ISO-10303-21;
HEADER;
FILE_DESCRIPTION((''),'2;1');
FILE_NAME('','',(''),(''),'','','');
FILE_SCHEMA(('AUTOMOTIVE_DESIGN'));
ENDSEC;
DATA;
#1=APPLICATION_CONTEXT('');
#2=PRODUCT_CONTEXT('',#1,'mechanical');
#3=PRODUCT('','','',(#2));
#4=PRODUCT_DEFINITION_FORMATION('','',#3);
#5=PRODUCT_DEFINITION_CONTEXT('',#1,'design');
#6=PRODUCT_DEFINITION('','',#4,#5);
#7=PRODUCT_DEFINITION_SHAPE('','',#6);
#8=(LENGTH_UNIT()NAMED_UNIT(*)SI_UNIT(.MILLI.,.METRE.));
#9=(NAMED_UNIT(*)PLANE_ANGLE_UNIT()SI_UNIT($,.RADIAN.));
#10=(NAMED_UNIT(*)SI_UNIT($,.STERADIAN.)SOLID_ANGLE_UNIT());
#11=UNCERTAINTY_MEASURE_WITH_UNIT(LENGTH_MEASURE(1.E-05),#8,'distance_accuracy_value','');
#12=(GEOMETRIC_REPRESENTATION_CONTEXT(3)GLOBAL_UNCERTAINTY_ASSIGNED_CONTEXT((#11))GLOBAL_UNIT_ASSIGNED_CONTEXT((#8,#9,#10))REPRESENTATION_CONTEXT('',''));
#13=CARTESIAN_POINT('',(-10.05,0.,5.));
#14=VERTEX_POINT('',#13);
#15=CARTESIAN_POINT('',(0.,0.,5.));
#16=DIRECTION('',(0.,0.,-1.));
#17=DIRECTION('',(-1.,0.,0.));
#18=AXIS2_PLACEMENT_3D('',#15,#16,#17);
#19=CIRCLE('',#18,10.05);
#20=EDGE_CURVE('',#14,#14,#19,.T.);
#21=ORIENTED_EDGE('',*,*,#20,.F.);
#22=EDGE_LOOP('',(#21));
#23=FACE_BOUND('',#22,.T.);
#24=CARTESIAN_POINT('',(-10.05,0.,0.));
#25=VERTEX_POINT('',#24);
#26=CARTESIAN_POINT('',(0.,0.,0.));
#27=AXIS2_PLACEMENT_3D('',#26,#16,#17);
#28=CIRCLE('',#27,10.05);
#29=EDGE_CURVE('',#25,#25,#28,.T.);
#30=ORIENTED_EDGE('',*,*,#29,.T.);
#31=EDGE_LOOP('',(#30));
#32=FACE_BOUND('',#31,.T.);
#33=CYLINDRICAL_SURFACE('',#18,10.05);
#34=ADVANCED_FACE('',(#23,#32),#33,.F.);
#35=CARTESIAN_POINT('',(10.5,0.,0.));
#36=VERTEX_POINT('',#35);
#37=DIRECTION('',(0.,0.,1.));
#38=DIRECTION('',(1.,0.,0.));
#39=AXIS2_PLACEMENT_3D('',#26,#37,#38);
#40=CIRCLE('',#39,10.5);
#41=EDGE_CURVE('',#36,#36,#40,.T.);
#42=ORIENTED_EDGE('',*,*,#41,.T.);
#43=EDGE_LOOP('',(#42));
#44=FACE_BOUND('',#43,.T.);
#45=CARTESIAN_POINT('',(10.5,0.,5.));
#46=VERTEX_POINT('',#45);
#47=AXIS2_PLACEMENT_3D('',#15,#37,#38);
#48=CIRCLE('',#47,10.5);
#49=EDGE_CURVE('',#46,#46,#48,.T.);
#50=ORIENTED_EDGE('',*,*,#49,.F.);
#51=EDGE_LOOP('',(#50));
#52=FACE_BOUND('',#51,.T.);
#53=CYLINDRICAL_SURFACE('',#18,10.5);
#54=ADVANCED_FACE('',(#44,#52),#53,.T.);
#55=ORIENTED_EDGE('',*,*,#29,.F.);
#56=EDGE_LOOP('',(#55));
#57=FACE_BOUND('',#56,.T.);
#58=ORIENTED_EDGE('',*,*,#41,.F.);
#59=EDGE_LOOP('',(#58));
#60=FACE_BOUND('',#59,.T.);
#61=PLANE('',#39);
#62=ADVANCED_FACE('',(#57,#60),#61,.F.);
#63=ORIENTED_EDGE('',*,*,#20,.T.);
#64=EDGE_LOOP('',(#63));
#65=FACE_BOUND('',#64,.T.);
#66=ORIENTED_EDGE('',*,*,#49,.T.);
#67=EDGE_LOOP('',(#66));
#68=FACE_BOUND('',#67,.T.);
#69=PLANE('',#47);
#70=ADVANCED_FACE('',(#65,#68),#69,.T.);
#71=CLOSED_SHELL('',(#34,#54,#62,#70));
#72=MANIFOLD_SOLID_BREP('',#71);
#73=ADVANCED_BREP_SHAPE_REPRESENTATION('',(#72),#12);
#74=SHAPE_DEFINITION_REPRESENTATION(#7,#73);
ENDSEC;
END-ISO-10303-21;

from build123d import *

# Parameters (mm, degrees)
SKETCH_1_R          = 10.5
EXTRUDE_1_DEPTH     = 5
SKETCH_2_R          = 10.05
CUT_EXTRUDE_1_DEPTH = 5


with BuildPart() as part:
    # 草图1 → 凸台-拉伸1 (new body)
    with BuildSketch(Plane.XY):
        Circle(SKETCH_1_R)
    extrude(amount=EXTRUDE_1_DEPTH)

    # 草图2 → 切除-拉伸1 (cut)
    with BuildSketch(Plane(origin=(0, 0, 0), x_dir=(-1, 0, 0), z_dir=(0, 0, -1))):
        Circle(SKETCH_2_R)
    extrude(amount=-CUT_EXTRUDE_1_DEPTH, mode=Mode.SUBTRACT)


solid = part.part
